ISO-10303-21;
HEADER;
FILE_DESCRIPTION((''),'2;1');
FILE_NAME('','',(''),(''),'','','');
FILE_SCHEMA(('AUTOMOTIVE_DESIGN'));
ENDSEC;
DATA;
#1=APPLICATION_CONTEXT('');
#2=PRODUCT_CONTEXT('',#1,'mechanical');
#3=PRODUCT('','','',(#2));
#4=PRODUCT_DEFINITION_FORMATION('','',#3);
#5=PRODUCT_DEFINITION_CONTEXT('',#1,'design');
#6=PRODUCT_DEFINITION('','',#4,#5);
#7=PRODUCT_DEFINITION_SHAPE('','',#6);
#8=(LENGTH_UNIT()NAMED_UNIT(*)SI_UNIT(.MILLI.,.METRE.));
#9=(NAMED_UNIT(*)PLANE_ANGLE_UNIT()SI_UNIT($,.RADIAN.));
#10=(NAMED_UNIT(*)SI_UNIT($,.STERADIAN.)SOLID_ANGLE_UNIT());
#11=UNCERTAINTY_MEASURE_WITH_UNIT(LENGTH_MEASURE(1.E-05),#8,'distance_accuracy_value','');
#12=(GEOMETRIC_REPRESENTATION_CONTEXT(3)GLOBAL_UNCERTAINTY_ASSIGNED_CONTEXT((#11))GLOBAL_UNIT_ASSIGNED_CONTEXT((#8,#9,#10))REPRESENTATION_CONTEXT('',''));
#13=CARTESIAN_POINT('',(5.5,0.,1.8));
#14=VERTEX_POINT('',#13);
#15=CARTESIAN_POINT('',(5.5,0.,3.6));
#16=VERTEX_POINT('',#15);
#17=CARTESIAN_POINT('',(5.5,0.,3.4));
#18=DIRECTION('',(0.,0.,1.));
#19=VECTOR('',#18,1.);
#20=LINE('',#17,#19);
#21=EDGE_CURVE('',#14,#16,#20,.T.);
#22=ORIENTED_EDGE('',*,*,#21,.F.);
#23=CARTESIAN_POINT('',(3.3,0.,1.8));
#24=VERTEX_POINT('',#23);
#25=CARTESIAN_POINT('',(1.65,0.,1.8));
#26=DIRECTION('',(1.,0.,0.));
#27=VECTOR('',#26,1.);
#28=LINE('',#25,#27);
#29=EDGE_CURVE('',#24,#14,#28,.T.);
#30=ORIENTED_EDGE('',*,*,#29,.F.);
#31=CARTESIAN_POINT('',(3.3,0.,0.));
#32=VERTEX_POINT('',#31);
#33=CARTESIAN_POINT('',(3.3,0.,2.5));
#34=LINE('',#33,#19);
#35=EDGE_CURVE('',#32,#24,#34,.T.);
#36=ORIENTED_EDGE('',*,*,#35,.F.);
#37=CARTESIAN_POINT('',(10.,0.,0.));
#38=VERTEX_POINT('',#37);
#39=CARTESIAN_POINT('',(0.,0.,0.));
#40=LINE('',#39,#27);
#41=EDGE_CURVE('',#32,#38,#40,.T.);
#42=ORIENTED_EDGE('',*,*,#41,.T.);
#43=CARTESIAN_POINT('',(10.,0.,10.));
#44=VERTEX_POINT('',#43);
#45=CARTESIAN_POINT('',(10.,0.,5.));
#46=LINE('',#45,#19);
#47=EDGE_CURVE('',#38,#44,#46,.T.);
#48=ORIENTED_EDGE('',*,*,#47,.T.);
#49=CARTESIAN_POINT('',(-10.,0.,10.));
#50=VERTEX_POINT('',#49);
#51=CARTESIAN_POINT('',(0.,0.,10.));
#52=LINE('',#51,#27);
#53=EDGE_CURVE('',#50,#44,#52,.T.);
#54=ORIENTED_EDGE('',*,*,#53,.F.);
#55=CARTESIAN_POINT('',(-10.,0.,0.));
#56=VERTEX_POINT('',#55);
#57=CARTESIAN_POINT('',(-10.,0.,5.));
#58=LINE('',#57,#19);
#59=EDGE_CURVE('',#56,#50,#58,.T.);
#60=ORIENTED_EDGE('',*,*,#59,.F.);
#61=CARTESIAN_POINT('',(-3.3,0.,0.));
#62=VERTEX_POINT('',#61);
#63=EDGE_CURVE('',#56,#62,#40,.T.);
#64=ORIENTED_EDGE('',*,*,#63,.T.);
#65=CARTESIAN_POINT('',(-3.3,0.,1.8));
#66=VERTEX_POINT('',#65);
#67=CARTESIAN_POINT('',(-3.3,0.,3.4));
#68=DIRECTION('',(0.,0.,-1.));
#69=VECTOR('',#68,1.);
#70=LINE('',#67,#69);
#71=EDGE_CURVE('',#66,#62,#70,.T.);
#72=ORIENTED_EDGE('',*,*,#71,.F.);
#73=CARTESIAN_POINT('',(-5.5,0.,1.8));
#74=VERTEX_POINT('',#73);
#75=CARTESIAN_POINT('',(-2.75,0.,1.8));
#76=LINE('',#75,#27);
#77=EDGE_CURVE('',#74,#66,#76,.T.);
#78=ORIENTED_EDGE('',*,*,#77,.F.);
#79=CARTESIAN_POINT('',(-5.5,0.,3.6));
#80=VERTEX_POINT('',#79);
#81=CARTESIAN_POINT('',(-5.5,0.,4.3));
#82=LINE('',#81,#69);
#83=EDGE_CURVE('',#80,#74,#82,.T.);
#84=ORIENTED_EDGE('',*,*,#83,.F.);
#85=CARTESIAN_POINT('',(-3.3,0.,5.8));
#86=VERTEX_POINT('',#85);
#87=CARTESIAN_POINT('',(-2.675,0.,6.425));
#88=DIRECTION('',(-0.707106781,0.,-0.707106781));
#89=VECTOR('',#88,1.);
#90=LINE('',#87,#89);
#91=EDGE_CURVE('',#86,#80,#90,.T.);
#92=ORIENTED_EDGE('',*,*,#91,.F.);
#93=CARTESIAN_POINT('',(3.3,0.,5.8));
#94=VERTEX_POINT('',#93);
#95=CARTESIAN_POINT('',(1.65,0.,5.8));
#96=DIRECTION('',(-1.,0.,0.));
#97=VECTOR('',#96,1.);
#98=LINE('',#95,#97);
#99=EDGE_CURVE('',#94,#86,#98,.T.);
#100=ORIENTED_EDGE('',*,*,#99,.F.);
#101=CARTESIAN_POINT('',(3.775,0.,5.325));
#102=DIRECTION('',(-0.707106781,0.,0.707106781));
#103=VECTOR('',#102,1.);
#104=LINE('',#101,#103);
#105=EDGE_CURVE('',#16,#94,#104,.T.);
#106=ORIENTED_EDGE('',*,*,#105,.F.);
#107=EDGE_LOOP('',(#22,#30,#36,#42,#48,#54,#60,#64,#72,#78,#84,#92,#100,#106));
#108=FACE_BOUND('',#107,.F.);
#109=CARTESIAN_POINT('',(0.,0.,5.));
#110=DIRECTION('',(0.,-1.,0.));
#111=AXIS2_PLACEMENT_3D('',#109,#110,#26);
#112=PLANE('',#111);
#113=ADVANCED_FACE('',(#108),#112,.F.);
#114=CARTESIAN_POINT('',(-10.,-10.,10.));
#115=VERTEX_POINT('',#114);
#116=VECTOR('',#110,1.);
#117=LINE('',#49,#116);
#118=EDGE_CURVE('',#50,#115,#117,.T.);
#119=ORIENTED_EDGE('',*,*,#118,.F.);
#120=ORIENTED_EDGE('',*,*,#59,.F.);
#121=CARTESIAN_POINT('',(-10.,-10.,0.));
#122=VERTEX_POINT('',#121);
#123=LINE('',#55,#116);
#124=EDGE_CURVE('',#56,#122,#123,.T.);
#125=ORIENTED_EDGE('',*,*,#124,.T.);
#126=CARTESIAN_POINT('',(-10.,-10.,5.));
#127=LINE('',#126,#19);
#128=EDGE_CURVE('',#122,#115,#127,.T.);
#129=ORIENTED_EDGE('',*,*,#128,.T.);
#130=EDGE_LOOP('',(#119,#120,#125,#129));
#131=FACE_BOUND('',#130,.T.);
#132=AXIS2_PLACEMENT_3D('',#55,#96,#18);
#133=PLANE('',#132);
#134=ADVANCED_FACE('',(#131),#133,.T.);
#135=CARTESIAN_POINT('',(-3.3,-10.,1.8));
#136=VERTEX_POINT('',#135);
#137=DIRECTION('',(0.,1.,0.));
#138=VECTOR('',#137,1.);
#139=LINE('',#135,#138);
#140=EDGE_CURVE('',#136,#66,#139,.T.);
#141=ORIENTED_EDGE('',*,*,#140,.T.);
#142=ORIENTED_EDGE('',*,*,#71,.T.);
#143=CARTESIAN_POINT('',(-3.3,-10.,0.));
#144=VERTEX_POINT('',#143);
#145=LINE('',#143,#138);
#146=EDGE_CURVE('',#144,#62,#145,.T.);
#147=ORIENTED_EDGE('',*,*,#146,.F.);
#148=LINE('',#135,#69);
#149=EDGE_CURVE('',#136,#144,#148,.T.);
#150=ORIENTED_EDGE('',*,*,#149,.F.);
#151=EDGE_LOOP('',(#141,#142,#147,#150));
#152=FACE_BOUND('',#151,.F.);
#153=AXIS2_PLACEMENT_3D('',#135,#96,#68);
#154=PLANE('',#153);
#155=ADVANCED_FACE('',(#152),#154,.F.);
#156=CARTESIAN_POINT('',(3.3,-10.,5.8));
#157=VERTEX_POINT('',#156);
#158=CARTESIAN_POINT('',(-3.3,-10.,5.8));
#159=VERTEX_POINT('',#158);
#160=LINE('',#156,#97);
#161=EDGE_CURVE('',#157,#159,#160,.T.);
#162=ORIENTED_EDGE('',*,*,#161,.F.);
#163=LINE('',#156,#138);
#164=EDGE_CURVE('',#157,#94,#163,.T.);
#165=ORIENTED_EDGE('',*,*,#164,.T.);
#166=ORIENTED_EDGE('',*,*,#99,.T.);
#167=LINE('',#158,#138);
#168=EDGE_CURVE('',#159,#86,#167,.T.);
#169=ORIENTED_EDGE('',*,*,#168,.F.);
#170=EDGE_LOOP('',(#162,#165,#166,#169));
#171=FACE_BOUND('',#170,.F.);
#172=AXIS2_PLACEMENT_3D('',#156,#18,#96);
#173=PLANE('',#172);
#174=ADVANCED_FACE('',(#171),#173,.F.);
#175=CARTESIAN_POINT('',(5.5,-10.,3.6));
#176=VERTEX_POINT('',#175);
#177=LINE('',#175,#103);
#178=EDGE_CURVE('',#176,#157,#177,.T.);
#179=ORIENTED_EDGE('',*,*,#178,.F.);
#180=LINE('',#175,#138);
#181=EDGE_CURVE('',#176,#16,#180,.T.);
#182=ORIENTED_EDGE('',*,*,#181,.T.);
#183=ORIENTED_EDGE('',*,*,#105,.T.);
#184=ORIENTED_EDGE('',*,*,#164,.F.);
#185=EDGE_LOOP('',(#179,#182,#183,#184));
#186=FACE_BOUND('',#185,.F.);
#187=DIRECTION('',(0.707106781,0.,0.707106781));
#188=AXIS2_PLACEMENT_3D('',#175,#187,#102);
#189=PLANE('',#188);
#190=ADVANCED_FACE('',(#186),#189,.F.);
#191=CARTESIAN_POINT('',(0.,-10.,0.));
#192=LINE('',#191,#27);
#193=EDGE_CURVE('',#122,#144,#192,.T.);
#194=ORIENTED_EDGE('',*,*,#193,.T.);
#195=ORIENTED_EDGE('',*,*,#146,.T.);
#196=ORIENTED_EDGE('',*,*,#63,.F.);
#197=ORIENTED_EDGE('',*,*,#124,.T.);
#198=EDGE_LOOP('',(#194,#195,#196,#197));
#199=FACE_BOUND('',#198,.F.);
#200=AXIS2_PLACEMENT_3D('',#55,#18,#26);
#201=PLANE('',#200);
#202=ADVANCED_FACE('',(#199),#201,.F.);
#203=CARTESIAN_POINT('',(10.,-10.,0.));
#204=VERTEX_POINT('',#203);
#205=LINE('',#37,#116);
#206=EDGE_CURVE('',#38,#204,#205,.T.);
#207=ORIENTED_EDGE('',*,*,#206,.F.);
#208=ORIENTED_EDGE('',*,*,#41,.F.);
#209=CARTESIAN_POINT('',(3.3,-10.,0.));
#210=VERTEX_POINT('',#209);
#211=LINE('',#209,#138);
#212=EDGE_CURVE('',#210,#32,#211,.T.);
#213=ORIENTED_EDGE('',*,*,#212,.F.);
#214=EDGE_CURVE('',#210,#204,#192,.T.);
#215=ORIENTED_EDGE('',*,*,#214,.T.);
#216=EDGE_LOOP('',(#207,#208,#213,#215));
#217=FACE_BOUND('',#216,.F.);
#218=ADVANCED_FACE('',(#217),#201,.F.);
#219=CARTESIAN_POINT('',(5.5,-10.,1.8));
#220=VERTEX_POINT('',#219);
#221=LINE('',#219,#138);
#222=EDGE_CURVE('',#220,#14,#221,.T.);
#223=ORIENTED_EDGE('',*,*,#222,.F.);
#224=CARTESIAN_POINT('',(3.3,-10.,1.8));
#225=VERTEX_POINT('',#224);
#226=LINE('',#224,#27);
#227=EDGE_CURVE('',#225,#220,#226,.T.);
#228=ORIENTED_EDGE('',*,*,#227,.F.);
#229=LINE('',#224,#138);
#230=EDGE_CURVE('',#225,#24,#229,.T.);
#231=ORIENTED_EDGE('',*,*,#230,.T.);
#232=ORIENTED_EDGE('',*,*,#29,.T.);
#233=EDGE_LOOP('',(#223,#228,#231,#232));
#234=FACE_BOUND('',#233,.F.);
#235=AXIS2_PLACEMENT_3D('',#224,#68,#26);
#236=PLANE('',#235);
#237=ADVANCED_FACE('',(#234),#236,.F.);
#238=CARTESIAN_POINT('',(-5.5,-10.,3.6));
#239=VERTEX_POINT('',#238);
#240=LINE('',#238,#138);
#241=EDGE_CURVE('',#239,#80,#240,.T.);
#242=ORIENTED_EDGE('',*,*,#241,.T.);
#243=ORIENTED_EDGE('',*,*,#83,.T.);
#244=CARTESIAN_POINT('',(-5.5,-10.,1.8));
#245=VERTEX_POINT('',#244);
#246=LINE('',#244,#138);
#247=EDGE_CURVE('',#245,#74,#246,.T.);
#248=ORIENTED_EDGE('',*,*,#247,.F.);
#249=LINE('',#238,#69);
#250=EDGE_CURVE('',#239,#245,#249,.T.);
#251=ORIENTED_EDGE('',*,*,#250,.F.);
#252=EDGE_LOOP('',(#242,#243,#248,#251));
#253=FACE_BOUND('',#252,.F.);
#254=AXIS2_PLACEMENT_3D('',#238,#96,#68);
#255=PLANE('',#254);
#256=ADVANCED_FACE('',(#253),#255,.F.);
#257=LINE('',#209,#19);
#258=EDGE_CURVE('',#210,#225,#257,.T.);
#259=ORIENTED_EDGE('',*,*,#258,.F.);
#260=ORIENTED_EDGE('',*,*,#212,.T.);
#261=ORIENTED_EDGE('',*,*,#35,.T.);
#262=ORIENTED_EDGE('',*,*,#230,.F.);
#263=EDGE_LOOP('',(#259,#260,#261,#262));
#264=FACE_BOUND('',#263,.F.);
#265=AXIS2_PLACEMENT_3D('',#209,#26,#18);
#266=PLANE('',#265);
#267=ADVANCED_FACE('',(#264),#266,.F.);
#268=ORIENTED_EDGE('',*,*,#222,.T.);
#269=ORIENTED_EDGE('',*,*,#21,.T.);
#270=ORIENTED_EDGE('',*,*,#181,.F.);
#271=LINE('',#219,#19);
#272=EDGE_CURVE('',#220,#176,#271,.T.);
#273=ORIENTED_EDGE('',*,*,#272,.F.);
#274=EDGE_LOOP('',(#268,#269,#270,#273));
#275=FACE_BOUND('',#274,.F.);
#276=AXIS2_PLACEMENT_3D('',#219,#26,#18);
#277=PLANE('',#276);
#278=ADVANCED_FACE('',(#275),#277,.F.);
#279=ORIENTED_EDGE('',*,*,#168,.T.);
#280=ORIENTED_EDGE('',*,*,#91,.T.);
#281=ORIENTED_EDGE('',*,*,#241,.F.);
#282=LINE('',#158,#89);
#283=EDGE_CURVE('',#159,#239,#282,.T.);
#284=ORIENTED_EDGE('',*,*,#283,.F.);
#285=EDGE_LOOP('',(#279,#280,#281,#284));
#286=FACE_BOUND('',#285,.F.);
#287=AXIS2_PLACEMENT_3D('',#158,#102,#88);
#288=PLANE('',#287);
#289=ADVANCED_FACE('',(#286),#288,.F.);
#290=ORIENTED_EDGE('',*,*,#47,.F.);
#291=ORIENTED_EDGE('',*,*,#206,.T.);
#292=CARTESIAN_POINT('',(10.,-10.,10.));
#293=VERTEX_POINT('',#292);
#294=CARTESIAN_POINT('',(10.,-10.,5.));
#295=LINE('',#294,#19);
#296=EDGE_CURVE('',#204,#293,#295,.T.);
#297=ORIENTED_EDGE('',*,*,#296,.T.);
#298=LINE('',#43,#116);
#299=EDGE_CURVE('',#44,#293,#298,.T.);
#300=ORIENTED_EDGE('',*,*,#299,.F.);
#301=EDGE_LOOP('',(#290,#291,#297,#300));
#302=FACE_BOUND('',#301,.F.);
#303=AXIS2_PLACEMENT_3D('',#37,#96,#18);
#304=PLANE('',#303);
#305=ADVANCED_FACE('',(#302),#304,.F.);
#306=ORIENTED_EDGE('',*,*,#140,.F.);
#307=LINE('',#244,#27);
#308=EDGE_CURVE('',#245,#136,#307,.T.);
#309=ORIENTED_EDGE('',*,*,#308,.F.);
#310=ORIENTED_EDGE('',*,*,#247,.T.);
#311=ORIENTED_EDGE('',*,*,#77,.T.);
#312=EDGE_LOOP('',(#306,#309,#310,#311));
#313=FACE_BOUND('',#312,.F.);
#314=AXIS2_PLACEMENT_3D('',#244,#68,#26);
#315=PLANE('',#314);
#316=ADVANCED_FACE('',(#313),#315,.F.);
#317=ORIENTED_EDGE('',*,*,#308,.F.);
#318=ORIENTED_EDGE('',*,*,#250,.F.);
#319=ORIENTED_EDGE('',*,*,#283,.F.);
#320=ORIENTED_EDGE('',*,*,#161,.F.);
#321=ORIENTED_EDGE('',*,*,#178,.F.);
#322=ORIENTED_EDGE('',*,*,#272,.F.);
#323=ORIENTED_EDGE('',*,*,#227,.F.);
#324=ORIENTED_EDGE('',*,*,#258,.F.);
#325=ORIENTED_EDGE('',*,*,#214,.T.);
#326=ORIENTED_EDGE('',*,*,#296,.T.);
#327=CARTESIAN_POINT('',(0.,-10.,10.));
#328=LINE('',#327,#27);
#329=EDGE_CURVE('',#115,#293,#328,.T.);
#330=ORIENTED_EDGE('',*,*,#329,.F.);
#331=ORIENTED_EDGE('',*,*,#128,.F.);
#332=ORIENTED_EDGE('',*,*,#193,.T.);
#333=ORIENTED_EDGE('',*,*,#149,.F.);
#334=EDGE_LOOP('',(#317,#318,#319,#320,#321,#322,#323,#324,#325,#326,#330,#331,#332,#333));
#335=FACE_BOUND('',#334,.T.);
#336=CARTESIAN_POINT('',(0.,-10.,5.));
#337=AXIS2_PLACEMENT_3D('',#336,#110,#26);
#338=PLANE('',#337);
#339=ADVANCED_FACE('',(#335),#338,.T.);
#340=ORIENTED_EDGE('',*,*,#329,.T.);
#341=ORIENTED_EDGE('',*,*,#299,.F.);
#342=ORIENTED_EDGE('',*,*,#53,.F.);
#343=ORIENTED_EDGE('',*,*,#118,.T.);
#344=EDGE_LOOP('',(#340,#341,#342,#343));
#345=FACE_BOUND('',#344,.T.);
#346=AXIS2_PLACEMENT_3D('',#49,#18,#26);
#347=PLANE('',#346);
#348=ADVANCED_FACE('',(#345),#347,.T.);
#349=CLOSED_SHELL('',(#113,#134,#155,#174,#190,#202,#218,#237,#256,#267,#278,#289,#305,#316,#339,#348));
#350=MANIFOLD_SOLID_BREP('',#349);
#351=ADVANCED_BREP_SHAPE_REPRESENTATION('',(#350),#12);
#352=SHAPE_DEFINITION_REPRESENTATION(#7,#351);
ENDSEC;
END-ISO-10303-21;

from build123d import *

# Parameters (mm, degrees)
SKETCH_W     = 20
SKETCH_H     = 10
PAD_DEPTH    = 10
POCKET_DEPTH = 10.001


with BuildPart() as part:
    # Sketch → Pad (new body)
    with BuildSketch(Plane.XZ):
        with Locations((0, 5)):
            Rectangle(SKETCH_W, SKETCH_H)
    extrude(amount=PAD_DEPTH)

    # Sketch001 (on Face6 of Pad) → Pocket (cut, through all)
    with BuildSketch(Plane.XZ.offset(10)):
        Polygon((-3.3, 0), (3.3, 0), (3.3, 1.8), (5.5, 1.8), (5.5, 3.6), (3.3, 5.8), (-3.3, 5.8), (-5.5, 3.6), (-5.5, 1.8), (-3.3, 1.8), align=None)
    extrude(amount=-POCKET_DEPTH, mode=Mode.SUBTRACT)


solid = part.part
